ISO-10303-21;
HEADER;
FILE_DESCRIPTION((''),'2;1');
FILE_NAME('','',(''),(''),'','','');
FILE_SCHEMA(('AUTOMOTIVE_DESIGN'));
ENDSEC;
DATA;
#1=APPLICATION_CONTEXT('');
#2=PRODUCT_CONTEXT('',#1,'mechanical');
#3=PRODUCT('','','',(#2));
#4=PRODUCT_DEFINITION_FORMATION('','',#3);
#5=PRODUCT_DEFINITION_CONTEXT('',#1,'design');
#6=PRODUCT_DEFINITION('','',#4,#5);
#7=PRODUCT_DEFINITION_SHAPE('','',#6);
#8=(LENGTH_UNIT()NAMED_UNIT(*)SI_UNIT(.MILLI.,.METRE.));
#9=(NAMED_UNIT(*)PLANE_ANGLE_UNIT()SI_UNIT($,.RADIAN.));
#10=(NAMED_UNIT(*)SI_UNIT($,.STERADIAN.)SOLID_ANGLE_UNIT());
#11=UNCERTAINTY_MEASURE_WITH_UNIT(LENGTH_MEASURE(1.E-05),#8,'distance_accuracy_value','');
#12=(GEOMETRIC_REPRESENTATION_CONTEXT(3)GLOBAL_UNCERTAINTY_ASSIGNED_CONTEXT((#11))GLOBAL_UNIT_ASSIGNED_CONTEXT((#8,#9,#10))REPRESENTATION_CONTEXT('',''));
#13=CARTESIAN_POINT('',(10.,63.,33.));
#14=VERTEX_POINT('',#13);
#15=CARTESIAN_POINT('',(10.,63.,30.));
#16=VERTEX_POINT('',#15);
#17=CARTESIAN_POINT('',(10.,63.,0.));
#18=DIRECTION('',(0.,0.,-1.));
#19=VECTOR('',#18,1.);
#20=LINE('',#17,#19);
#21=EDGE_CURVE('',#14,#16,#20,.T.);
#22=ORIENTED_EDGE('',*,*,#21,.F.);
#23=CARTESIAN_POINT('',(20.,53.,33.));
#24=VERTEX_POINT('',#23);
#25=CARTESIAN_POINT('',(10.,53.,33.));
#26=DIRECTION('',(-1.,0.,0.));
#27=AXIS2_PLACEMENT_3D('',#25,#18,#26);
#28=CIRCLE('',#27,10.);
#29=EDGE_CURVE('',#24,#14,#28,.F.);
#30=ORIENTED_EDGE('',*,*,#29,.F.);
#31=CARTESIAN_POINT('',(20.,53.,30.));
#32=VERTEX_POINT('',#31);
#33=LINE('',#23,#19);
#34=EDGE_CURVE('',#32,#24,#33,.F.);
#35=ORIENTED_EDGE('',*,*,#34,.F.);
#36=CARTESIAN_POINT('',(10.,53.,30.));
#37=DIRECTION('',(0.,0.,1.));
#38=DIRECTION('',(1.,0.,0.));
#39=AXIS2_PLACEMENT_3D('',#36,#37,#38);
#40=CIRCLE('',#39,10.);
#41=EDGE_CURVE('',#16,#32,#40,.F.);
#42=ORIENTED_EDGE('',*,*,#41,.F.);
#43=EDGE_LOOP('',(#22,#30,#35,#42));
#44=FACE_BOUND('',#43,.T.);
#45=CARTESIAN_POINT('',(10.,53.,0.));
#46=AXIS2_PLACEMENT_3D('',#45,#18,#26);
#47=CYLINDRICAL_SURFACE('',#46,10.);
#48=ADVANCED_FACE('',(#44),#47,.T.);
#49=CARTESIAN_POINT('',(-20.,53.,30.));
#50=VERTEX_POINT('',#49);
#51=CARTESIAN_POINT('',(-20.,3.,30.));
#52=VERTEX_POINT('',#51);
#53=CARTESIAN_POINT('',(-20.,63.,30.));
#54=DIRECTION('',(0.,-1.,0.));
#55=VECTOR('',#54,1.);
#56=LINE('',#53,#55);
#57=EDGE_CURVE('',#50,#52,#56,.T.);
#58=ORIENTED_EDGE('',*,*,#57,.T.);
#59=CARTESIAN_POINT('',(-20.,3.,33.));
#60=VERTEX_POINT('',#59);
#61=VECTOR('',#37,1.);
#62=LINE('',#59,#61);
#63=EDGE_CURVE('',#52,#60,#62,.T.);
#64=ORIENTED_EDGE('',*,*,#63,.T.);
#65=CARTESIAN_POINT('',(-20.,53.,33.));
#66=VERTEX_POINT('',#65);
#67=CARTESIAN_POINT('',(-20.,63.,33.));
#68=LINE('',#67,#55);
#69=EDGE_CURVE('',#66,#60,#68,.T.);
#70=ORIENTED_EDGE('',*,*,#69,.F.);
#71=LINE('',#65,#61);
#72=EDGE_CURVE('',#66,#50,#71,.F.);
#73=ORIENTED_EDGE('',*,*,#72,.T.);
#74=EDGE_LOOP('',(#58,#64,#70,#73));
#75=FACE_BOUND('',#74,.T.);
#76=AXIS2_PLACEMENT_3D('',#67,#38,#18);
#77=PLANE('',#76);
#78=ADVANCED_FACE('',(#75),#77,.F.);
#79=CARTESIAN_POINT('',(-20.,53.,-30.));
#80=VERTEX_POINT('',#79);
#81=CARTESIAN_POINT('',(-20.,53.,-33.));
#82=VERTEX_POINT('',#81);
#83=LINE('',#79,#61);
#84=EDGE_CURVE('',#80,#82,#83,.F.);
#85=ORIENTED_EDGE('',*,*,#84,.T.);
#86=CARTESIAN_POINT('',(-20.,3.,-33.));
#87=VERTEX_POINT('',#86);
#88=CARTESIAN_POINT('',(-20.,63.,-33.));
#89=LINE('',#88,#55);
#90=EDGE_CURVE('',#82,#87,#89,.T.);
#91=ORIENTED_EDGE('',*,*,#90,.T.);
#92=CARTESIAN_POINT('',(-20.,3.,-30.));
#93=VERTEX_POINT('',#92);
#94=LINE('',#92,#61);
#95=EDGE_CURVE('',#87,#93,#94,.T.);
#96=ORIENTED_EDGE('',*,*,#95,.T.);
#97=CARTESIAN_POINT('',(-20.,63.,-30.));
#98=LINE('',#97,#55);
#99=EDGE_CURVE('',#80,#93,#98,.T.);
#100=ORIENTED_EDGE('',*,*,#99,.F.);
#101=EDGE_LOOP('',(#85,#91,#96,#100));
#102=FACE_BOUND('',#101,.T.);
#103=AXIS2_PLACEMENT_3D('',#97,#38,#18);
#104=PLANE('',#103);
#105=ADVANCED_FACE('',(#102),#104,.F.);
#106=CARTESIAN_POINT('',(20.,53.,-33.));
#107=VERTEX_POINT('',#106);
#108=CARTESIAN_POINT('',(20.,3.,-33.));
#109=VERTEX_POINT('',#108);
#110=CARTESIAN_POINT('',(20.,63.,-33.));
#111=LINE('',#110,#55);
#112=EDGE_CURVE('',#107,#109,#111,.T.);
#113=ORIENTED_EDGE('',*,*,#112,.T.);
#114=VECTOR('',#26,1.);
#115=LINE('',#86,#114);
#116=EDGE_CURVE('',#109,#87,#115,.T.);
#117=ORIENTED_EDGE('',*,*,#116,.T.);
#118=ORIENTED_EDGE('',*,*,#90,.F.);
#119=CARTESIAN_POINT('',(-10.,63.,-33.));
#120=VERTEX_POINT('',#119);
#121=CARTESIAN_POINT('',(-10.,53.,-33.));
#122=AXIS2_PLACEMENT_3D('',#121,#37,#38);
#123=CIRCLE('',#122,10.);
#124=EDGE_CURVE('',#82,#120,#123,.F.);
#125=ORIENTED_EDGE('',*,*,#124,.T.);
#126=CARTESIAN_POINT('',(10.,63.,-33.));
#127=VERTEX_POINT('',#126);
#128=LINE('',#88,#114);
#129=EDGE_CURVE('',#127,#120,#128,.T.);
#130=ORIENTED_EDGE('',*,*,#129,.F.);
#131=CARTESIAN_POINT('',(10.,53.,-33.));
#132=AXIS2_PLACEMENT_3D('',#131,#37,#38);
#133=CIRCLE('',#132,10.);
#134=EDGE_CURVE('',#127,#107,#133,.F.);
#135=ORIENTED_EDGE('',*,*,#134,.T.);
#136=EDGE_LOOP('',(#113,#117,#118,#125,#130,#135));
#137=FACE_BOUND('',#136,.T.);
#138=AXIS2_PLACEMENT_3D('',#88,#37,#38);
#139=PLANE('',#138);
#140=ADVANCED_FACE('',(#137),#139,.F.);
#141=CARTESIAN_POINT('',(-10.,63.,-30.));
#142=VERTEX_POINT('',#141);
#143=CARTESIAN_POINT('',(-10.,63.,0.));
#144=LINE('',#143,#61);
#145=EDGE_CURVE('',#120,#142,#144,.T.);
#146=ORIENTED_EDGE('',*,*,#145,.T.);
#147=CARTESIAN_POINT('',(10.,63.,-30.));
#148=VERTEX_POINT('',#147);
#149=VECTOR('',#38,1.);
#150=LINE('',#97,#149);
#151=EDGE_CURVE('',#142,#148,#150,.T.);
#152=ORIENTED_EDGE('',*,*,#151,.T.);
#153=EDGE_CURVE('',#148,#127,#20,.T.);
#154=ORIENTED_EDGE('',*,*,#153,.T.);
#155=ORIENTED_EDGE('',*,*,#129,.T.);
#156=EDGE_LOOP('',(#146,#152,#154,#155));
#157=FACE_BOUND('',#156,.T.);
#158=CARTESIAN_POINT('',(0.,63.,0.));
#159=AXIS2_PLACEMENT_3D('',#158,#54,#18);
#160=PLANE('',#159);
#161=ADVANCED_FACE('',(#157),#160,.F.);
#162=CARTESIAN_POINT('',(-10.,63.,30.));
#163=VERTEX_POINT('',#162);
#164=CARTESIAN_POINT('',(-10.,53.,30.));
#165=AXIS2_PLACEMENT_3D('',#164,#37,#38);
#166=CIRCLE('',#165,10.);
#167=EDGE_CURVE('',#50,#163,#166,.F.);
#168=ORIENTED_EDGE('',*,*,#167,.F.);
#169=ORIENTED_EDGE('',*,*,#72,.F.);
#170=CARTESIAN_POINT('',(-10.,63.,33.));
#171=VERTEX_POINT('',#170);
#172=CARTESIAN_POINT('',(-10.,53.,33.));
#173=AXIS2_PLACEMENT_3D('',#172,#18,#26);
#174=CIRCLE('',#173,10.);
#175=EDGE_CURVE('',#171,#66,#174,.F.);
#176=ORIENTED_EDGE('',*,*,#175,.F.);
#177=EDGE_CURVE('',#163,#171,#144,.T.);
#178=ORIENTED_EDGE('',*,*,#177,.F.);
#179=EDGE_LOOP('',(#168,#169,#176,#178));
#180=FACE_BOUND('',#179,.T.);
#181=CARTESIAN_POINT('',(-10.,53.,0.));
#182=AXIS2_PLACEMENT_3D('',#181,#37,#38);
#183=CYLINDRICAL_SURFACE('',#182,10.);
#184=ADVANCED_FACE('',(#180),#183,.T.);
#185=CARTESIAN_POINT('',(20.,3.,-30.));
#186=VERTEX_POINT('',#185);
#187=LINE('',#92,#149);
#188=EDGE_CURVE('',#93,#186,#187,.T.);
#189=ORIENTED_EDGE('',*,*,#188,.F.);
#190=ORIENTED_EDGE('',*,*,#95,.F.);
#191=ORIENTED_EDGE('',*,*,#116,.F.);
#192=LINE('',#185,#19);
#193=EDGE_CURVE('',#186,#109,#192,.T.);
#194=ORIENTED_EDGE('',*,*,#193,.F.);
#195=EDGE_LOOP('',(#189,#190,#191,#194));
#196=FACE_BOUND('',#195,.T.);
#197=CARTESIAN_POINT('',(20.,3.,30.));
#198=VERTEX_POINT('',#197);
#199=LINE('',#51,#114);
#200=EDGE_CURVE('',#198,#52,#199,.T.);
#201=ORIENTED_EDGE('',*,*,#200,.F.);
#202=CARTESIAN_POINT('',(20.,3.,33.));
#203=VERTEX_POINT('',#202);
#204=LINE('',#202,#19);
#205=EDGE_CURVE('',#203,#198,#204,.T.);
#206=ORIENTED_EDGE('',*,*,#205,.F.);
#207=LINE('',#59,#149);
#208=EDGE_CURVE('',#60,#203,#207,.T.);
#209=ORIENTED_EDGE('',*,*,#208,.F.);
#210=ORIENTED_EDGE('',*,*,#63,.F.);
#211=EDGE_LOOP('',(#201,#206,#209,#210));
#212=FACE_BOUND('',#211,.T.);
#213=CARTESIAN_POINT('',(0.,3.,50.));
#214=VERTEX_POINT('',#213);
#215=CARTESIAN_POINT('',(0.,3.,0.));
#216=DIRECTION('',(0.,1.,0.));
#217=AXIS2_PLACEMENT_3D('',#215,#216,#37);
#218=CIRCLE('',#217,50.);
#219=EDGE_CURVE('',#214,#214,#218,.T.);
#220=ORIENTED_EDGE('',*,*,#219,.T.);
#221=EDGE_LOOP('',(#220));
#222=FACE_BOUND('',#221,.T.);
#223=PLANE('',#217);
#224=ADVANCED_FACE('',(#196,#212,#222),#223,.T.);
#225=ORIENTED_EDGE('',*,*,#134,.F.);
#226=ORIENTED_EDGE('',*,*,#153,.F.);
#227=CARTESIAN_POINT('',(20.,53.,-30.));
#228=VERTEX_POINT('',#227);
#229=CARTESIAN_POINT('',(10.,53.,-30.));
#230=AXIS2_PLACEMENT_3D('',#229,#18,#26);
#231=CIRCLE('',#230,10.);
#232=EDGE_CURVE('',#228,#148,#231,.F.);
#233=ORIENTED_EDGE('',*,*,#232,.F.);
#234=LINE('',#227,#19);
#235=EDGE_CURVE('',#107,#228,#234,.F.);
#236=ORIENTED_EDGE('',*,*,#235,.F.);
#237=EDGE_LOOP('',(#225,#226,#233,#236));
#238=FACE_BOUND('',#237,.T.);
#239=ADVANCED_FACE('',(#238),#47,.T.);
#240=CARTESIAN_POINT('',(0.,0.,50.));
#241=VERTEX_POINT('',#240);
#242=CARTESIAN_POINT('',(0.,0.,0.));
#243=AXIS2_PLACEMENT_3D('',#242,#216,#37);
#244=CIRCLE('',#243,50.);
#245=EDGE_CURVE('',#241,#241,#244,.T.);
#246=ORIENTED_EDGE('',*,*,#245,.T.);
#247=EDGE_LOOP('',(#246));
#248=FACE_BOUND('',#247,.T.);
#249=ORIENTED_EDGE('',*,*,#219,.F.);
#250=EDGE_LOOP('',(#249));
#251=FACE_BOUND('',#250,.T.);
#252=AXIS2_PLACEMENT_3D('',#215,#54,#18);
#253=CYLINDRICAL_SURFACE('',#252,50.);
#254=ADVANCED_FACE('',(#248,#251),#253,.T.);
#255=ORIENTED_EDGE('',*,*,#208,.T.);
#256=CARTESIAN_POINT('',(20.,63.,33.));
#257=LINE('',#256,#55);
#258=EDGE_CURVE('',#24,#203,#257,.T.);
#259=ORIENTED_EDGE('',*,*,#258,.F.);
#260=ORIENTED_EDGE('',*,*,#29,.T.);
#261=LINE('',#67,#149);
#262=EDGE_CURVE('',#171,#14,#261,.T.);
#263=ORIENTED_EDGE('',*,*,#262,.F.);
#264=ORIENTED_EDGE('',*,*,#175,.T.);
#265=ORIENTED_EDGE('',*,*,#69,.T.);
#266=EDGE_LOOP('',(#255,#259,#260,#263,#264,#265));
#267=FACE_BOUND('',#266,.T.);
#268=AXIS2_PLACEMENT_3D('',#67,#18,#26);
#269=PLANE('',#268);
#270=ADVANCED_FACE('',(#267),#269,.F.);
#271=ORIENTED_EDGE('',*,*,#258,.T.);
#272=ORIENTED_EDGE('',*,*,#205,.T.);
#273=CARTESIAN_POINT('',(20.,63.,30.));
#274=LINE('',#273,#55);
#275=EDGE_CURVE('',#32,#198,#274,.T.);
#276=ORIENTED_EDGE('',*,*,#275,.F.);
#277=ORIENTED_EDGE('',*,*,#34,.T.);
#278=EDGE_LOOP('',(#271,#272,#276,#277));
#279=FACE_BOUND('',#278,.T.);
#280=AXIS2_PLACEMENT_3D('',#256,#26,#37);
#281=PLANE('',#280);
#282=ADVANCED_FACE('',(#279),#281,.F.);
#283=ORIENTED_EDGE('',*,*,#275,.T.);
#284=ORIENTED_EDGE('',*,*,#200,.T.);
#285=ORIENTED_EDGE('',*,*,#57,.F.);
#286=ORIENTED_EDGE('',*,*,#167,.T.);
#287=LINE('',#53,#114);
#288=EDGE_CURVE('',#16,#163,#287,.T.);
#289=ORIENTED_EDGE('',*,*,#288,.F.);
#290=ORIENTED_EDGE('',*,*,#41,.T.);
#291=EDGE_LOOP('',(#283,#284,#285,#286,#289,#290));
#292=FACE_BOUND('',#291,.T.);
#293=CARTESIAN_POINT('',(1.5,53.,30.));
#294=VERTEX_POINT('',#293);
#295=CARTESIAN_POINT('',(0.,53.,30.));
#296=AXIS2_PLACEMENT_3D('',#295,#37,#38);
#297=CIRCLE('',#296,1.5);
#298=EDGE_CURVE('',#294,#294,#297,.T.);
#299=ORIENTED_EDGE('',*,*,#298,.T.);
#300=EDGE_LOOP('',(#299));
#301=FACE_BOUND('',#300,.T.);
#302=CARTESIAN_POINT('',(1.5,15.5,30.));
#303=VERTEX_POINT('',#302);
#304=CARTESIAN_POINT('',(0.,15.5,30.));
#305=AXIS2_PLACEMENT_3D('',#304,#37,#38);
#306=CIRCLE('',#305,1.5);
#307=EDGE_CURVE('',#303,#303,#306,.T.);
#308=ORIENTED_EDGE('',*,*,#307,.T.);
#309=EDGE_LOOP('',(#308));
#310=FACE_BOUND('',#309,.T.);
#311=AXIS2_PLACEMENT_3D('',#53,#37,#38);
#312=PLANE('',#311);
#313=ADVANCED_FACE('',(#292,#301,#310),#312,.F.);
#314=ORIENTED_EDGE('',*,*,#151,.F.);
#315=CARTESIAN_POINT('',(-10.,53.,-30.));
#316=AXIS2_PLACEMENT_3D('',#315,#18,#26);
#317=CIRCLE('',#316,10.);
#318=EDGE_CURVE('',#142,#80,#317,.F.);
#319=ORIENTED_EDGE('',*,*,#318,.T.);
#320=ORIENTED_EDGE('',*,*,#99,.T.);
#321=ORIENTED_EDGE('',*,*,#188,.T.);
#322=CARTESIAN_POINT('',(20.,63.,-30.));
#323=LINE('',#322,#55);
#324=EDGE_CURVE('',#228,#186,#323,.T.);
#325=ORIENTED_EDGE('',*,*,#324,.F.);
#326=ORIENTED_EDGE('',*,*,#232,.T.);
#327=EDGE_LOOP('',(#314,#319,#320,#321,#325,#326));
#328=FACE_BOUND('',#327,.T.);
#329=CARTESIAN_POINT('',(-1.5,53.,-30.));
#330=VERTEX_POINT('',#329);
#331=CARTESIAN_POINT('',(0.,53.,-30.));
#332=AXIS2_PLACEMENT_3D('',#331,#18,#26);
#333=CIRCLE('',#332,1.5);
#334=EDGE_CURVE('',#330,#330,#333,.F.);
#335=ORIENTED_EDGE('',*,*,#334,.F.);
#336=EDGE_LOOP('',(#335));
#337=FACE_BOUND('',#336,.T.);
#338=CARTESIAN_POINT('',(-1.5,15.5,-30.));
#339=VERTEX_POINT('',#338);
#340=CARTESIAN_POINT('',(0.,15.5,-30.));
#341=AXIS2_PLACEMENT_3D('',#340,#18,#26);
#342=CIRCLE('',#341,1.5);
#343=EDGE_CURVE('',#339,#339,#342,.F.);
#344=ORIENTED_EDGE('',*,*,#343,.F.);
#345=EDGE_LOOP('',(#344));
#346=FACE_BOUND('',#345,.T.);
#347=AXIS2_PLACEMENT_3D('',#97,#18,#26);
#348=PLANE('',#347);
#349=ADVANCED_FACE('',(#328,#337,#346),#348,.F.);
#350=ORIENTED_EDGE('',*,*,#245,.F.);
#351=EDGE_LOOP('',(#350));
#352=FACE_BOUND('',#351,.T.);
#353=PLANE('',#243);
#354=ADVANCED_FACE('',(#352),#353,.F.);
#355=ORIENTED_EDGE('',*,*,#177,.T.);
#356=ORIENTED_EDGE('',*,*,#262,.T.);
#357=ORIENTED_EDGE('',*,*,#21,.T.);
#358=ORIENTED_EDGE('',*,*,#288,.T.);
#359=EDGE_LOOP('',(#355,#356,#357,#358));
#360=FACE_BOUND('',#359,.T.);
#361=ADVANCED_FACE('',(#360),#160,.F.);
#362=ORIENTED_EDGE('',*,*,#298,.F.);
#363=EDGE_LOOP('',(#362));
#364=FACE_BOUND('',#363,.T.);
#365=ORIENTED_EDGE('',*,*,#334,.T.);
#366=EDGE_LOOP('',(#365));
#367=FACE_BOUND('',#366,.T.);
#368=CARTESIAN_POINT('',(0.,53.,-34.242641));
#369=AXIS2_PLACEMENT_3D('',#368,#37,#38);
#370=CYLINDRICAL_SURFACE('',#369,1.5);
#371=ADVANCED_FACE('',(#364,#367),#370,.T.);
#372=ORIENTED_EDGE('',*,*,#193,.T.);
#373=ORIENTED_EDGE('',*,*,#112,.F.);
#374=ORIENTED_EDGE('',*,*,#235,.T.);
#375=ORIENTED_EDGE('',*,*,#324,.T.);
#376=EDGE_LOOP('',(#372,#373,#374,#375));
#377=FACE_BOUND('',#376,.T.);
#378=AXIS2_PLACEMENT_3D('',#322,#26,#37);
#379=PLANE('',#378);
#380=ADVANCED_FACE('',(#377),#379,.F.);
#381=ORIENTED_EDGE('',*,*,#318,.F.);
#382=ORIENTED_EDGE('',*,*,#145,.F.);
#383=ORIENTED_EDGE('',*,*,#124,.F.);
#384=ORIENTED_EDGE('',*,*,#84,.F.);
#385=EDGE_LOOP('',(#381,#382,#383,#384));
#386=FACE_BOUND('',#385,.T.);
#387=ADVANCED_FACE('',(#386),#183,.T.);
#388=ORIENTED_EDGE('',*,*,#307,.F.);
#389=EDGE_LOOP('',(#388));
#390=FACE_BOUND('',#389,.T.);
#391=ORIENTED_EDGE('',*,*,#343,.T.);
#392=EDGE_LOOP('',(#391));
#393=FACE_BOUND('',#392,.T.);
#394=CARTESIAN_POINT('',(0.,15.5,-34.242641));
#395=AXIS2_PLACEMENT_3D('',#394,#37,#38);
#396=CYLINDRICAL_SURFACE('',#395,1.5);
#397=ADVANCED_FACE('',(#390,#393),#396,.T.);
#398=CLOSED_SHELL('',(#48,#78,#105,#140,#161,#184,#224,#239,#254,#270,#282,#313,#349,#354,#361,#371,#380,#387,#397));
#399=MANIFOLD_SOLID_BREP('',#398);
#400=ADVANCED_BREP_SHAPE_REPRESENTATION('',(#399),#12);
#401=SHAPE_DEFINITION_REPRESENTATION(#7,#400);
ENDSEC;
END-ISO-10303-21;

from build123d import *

# Parameters (mm, degrees)
SKETCH1_R           = 50
BOSS_EXTRUDE1_DEPTH = 3
SKETCH3_W           = 40
SKETCH3_H           = 3
BOSS_EXTRUDE3_DEPTH = 60
SKETCH4_R           = 1.5
BOSS_EXTRUDE4_DEPTH = 63
FILLET1_R           = 10


with BuildPart() as part:
    # Sketch1 → Boss-Extrude1 (new body)
    with BuildSketch(Plane(origin=(0, 0, 0), x_dir=(1, 0, 0), z_dir=(0, 1, 0))):
        with Locations(Location((0, 0, 0), (0, 0, 270))):
            Circle(SKETCH1_R)
    extrude(amount=BOSS_EXTRUDE1_DEPTH)

    # Sketch3 → Boss-Extrude3 (add)
    with BuildSketch(Plane(origin=(0, 3, 0), x_dir=(1, 0, 0), z_dir=(0, 1, 0))):
        with Locations((0, -31.5)):
            Rectangle(SKETCH3_W, SKETCH3_H)
        with Locations((0, 31.5)):
            Rectangle(SKETCH3_W, SKETCH3_H)
    extrude(amount=BOSS_EXTRUDE3_DEPTH)

    # Sketch4 → Boss-Extrude4 (add)
    with BuildSketch(Plane.XY.offset(33)):
        with Locations((0, 53)):
            Circle(SKETCH4_R)
        with Locations((0, 15.5)):
            Circle(SKETCH4_R)
    extrude(amount=-BOSS_EXTRUDE4_DEPTH)

    # Fillet1
    fillet1_edges = [part.edges().sort_by_distance(p)[0] for p in [
        (-20, 63, -31.5),
        (20, 63, -31.5),
        (-20, 63, 31.5),
        (20, 63, 31.5),
    ]]
    fillet(fillet1_edges, radius=FILLET1_R)


solid = part.part
